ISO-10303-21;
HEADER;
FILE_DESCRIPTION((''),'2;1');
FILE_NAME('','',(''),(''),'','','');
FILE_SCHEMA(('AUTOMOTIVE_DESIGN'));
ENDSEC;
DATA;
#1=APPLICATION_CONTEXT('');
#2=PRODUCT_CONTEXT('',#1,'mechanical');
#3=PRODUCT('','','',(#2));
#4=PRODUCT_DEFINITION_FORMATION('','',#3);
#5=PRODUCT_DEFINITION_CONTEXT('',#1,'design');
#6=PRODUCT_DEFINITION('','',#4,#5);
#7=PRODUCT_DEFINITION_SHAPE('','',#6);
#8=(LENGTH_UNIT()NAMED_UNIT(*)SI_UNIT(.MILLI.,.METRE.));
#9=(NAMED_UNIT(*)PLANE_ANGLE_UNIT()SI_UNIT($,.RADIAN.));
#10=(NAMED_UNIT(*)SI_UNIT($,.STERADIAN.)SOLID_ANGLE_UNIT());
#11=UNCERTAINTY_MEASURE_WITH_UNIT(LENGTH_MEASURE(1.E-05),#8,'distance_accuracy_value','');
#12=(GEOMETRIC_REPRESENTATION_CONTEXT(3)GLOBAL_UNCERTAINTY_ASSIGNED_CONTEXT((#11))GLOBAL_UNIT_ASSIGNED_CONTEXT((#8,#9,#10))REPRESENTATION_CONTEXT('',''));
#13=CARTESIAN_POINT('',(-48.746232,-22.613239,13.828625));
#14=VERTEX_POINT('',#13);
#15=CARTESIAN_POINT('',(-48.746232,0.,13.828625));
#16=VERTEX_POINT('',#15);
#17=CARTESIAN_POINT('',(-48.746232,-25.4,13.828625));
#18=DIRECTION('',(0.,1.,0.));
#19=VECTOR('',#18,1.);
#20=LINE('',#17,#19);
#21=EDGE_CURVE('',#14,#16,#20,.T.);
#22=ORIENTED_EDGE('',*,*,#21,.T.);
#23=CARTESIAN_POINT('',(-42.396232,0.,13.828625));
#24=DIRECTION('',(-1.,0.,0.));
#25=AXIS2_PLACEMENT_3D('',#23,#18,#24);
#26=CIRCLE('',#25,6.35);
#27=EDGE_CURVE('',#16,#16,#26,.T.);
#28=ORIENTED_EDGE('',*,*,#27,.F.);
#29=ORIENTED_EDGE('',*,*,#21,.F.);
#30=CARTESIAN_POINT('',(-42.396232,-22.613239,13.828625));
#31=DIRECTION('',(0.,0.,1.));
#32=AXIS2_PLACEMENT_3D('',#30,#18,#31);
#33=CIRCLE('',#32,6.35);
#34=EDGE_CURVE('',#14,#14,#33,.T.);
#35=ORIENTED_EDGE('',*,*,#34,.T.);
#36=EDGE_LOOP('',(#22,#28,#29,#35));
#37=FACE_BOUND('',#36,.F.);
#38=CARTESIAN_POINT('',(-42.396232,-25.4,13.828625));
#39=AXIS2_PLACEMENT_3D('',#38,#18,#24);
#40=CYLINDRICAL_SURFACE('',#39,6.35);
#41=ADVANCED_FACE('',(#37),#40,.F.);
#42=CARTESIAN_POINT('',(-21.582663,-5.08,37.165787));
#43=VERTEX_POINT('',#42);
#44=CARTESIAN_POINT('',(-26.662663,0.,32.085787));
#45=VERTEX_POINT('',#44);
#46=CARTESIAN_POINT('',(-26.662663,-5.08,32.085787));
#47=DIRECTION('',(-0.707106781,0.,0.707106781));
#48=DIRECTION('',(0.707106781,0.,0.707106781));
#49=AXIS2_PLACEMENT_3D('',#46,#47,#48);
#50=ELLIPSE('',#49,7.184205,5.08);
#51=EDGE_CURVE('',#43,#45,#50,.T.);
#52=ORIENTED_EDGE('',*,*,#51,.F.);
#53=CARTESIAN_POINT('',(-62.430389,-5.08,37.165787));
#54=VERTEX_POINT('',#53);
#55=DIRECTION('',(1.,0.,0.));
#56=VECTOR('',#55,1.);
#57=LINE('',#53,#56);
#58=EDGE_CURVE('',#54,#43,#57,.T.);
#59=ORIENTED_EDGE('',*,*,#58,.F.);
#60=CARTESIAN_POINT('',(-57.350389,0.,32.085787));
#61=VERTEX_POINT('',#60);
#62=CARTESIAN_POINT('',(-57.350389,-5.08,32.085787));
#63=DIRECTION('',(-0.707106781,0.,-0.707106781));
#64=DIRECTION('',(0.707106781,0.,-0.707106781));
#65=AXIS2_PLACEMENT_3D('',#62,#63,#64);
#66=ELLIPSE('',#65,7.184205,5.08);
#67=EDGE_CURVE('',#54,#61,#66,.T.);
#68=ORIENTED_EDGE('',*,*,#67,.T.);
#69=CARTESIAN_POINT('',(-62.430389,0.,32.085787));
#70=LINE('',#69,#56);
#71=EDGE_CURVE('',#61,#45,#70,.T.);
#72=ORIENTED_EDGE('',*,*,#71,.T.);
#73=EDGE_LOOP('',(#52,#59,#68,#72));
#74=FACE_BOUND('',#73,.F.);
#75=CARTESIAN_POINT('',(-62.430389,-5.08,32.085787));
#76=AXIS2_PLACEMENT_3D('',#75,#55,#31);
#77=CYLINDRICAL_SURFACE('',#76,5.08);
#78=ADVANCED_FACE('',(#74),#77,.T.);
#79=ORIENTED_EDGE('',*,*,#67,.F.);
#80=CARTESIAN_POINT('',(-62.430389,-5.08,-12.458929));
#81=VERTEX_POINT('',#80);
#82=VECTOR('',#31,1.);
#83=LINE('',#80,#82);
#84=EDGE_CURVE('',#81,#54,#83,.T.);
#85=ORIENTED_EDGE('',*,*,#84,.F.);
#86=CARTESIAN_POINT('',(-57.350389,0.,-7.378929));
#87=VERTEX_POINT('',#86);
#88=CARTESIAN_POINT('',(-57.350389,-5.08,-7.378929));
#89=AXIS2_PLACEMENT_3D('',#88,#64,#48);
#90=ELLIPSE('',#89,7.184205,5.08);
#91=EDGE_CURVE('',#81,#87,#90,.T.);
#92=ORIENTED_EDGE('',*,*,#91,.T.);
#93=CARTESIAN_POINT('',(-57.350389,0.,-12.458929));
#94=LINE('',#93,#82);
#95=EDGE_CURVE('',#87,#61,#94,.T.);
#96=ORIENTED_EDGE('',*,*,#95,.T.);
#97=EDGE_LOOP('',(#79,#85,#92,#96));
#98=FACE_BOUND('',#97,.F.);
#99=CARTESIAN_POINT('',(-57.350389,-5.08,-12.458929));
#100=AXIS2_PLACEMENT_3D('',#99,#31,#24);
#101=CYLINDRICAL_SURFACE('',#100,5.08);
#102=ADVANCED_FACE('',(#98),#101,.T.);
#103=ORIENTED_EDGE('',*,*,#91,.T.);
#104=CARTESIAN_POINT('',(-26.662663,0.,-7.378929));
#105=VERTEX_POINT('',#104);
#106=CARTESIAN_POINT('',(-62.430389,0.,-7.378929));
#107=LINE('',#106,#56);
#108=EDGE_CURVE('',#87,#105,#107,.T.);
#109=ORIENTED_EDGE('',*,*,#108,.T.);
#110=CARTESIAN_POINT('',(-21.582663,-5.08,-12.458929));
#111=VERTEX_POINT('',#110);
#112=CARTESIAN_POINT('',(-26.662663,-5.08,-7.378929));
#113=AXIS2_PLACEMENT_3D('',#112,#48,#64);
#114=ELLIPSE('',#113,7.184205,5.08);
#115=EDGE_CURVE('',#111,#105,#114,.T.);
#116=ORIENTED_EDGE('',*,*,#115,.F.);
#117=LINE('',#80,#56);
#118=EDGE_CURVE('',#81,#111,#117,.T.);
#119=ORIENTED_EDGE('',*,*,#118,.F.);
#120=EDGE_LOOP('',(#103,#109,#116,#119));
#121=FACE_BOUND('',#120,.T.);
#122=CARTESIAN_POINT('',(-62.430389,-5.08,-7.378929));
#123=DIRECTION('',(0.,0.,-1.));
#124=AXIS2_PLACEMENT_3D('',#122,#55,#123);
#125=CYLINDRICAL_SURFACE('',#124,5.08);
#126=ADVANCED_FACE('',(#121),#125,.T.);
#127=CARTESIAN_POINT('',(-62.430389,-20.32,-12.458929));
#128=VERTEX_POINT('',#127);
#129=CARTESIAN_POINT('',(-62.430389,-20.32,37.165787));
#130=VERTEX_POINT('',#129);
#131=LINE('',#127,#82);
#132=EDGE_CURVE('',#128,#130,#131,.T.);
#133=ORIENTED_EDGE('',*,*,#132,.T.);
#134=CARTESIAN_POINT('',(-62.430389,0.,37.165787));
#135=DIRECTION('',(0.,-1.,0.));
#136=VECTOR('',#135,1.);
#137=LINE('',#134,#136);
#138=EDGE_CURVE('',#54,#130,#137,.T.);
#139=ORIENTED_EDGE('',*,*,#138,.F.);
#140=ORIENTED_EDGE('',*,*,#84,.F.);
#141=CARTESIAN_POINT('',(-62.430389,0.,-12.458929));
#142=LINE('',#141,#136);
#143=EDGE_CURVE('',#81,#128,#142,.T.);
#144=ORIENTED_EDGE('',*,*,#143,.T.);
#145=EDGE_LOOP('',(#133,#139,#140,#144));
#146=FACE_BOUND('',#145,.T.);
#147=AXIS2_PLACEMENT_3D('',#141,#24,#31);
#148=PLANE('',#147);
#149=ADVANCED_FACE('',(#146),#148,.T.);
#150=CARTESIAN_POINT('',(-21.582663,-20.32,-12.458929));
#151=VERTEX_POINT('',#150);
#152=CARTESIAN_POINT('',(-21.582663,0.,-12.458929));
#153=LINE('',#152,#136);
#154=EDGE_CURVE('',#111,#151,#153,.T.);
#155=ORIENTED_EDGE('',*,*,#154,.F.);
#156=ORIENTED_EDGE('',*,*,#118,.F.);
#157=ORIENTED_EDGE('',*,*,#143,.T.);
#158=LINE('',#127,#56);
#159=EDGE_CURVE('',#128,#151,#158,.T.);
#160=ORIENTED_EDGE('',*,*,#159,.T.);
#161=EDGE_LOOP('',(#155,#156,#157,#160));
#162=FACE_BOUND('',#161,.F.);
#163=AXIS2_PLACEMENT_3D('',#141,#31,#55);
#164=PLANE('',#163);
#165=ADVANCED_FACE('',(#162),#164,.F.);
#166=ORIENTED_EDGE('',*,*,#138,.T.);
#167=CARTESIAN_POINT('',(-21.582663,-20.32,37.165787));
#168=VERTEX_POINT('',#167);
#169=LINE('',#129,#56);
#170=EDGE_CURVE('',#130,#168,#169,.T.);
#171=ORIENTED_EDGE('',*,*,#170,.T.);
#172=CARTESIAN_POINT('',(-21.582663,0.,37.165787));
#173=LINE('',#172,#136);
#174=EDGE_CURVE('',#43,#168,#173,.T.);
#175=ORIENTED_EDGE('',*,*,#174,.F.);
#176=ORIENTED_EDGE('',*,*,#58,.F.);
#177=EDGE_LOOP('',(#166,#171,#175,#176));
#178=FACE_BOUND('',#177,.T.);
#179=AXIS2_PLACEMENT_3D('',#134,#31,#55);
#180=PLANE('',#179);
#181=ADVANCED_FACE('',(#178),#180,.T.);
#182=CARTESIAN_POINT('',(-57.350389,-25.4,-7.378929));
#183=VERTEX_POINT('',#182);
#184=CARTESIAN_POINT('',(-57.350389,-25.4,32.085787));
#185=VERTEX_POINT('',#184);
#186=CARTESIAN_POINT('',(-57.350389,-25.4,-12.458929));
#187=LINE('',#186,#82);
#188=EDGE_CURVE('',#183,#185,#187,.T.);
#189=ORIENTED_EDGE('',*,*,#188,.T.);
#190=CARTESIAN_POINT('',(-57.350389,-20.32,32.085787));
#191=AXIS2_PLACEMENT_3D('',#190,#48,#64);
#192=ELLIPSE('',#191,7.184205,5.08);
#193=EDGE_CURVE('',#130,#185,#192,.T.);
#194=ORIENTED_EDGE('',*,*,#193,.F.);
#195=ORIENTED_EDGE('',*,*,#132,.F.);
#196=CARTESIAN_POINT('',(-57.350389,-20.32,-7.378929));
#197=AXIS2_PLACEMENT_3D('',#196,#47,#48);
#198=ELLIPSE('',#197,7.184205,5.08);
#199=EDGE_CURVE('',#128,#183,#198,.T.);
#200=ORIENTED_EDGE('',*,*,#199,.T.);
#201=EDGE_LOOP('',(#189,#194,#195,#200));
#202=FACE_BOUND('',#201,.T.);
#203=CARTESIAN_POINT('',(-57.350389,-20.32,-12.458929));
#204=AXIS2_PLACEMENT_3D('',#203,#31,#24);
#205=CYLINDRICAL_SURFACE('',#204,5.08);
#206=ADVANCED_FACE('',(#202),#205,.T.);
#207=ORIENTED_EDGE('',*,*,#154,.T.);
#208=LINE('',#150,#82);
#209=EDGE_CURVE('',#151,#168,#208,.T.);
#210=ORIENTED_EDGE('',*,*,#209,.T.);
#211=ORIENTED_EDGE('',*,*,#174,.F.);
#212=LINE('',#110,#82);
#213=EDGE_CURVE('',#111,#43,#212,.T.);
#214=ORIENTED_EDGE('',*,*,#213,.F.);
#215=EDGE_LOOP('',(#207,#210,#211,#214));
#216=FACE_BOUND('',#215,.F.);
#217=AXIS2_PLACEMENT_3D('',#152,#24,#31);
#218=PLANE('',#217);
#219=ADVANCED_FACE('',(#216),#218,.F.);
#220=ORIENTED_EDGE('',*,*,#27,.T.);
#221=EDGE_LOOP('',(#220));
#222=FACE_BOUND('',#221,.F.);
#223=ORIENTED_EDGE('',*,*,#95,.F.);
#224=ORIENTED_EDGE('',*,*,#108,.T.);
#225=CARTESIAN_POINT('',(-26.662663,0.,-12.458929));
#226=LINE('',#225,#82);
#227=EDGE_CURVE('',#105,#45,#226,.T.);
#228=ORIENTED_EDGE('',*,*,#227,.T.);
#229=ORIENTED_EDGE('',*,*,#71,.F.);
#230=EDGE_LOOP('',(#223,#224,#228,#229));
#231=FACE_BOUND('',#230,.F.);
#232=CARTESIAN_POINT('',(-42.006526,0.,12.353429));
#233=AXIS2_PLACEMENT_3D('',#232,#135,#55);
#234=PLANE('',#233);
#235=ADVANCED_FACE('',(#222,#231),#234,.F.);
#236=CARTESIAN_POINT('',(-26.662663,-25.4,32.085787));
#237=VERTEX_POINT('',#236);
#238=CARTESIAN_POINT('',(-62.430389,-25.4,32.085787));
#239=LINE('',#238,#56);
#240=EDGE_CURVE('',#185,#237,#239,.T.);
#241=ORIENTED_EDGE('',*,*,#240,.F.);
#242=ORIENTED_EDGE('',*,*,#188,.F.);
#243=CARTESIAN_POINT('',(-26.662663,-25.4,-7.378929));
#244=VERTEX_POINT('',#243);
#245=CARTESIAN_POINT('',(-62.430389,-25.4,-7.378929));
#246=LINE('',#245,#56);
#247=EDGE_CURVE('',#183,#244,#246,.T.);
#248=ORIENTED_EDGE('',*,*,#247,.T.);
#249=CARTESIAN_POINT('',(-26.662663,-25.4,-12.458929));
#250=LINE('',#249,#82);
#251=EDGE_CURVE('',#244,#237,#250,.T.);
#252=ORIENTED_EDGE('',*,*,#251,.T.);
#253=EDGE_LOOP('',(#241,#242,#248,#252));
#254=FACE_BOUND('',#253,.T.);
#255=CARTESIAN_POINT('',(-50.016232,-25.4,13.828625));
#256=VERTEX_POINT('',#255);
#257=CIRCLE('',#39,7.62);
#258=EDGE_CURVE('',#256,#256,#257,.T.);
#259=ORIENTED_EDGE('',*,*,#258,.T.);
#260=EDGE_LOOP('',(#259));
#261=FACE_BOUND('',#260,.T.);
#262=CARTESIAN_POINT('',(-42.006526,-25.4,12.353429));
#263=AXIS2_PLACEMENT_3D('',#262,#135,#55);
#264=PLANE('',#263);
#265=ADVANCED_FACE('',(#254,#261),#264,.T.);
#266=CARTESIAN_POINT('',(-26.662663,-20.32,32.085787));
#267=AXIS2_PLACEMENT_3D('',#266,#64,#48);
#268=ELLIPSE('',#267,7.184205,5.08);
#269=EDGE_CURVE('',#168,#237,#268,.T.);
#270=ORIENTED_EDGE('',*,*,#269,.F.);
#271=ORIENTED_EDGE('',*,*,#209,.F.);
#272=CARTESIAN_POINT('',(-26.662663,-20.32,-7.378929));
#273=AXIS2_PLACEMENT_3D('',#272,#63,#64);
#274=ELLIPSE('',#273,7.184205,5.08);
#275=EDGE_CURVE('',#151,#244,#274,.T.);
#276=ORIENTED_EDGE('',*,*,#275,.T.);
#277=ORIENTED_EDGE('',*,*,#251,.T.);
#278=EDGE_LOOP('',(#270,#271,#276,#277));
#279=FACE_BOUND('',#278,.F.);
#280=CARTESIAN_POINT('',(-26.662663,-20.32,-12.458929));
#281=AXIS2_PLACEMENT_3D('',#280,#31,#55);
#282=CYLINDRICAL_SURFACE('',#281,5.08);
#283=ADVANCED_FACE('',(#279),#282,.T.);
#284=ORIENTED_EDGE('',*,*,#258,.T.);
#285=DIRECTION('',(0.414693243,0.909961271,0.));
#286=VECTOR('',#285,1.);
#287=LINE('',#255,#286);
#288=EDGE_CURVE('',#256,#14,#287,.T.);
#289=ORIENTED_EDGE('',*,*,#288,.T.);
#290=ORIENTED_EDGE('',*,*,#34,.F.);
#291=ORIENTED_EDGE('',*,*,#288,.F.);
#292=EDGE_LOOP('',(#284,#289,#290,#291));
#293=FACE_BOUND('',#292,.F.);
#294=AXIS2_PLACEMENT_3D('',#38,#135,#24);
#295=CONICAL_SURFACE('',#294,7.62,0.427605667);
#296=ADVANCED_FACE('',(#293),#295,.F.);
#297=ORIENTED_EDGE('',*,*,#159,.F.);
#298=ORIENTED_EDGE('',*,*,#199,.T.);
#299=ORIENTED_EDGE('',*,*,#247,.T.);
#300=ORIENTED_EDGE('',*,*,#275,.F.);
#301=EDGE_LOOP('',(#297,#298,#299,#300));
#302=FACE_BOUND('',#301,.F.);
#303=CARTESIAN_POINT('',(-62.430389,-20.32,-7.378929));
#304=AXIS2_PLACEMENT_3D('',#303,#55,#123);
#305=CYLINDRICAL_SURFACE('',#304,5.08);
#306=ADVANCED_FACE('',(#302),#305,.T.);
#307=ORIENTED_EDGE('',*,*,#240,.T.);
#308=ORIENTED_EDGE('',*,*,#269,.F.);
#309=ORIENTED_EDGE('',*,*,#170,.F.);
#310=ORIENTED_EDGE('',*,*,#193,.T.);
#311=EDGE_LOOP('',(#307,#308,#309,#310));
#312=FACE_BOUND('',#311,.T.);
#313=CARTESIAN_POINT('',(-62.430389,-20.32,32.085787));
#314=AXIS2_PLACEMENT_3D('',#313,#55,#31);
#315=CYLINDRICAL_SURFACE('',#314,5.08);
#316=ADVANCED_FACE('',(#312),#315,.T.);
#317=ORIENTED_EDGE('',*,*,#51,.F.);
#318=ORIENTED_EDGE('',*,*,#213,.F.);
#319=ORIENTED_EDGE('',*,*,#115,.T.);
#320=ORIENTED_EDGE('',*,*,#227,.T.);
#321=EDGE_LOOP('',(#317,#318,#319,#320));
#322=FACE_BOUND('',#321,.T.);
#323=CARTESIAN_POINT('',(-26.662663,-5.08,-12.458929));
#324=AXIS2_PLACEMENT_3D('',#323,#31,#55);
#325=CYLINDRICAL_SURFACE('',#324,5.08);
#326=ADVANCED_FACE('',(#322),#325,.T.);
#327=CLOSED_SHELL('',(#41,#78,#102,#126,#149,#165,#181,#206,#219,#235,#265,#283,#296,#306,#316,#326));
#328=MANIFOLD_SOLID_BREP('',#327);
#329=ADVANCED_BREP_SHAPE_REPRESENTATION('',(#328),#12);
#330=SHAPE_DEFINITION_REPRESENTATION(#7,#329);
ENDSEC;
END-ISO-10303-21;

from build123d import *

# Parameters (mm, degrees)
F0_W           = 40.847726
F0_H           = 49.624716
F1_DEPTH       = 25.4
F2_R           = 5.08
F4_D           = 12.7
F4_CSINK_D     = 15.24
F4_CSINK_ANGLE = 49


with BuildPart() as f1:
    # F0 (on Front) → F1 (new body)
    with BuildSketch(Plane.XZ):
        with Locations((-42.006526, 12.353429)):
            Rectangle(F0_W, F0_H)
    extrude(amount=F1_DEPTH)

    # F2
    f2_edges = [f1.edges().sort_by_distance(p)[0] for p in [
        (-42.006526, -25.4, 37.165787),
        (-62.430389, -25.4, 12.353429),
        (-42.006526, -25.4, -12.458929),
        (-21.582663, -25.4, 12.353429),
        (-42.006526, 0, 37.165787),
        (-62.430389, 0, 12.353429),
        (-42.006526, 0, -12.458929),
        (-21.582663, 0, 12.353429),
    ]]
    fillet(f2_edges, radius=F2_R)

    # F4 (through all)
    with Locations(Plane.XZ.offset(25.4)):
        with Locations((-42.396232, 13.828625)):
            CounterSinkHole(F4_D / 2, F4_CSINK_D / 2, counter_sink_angle=F4_CSINK_ANGLE)


solid = f1.part
